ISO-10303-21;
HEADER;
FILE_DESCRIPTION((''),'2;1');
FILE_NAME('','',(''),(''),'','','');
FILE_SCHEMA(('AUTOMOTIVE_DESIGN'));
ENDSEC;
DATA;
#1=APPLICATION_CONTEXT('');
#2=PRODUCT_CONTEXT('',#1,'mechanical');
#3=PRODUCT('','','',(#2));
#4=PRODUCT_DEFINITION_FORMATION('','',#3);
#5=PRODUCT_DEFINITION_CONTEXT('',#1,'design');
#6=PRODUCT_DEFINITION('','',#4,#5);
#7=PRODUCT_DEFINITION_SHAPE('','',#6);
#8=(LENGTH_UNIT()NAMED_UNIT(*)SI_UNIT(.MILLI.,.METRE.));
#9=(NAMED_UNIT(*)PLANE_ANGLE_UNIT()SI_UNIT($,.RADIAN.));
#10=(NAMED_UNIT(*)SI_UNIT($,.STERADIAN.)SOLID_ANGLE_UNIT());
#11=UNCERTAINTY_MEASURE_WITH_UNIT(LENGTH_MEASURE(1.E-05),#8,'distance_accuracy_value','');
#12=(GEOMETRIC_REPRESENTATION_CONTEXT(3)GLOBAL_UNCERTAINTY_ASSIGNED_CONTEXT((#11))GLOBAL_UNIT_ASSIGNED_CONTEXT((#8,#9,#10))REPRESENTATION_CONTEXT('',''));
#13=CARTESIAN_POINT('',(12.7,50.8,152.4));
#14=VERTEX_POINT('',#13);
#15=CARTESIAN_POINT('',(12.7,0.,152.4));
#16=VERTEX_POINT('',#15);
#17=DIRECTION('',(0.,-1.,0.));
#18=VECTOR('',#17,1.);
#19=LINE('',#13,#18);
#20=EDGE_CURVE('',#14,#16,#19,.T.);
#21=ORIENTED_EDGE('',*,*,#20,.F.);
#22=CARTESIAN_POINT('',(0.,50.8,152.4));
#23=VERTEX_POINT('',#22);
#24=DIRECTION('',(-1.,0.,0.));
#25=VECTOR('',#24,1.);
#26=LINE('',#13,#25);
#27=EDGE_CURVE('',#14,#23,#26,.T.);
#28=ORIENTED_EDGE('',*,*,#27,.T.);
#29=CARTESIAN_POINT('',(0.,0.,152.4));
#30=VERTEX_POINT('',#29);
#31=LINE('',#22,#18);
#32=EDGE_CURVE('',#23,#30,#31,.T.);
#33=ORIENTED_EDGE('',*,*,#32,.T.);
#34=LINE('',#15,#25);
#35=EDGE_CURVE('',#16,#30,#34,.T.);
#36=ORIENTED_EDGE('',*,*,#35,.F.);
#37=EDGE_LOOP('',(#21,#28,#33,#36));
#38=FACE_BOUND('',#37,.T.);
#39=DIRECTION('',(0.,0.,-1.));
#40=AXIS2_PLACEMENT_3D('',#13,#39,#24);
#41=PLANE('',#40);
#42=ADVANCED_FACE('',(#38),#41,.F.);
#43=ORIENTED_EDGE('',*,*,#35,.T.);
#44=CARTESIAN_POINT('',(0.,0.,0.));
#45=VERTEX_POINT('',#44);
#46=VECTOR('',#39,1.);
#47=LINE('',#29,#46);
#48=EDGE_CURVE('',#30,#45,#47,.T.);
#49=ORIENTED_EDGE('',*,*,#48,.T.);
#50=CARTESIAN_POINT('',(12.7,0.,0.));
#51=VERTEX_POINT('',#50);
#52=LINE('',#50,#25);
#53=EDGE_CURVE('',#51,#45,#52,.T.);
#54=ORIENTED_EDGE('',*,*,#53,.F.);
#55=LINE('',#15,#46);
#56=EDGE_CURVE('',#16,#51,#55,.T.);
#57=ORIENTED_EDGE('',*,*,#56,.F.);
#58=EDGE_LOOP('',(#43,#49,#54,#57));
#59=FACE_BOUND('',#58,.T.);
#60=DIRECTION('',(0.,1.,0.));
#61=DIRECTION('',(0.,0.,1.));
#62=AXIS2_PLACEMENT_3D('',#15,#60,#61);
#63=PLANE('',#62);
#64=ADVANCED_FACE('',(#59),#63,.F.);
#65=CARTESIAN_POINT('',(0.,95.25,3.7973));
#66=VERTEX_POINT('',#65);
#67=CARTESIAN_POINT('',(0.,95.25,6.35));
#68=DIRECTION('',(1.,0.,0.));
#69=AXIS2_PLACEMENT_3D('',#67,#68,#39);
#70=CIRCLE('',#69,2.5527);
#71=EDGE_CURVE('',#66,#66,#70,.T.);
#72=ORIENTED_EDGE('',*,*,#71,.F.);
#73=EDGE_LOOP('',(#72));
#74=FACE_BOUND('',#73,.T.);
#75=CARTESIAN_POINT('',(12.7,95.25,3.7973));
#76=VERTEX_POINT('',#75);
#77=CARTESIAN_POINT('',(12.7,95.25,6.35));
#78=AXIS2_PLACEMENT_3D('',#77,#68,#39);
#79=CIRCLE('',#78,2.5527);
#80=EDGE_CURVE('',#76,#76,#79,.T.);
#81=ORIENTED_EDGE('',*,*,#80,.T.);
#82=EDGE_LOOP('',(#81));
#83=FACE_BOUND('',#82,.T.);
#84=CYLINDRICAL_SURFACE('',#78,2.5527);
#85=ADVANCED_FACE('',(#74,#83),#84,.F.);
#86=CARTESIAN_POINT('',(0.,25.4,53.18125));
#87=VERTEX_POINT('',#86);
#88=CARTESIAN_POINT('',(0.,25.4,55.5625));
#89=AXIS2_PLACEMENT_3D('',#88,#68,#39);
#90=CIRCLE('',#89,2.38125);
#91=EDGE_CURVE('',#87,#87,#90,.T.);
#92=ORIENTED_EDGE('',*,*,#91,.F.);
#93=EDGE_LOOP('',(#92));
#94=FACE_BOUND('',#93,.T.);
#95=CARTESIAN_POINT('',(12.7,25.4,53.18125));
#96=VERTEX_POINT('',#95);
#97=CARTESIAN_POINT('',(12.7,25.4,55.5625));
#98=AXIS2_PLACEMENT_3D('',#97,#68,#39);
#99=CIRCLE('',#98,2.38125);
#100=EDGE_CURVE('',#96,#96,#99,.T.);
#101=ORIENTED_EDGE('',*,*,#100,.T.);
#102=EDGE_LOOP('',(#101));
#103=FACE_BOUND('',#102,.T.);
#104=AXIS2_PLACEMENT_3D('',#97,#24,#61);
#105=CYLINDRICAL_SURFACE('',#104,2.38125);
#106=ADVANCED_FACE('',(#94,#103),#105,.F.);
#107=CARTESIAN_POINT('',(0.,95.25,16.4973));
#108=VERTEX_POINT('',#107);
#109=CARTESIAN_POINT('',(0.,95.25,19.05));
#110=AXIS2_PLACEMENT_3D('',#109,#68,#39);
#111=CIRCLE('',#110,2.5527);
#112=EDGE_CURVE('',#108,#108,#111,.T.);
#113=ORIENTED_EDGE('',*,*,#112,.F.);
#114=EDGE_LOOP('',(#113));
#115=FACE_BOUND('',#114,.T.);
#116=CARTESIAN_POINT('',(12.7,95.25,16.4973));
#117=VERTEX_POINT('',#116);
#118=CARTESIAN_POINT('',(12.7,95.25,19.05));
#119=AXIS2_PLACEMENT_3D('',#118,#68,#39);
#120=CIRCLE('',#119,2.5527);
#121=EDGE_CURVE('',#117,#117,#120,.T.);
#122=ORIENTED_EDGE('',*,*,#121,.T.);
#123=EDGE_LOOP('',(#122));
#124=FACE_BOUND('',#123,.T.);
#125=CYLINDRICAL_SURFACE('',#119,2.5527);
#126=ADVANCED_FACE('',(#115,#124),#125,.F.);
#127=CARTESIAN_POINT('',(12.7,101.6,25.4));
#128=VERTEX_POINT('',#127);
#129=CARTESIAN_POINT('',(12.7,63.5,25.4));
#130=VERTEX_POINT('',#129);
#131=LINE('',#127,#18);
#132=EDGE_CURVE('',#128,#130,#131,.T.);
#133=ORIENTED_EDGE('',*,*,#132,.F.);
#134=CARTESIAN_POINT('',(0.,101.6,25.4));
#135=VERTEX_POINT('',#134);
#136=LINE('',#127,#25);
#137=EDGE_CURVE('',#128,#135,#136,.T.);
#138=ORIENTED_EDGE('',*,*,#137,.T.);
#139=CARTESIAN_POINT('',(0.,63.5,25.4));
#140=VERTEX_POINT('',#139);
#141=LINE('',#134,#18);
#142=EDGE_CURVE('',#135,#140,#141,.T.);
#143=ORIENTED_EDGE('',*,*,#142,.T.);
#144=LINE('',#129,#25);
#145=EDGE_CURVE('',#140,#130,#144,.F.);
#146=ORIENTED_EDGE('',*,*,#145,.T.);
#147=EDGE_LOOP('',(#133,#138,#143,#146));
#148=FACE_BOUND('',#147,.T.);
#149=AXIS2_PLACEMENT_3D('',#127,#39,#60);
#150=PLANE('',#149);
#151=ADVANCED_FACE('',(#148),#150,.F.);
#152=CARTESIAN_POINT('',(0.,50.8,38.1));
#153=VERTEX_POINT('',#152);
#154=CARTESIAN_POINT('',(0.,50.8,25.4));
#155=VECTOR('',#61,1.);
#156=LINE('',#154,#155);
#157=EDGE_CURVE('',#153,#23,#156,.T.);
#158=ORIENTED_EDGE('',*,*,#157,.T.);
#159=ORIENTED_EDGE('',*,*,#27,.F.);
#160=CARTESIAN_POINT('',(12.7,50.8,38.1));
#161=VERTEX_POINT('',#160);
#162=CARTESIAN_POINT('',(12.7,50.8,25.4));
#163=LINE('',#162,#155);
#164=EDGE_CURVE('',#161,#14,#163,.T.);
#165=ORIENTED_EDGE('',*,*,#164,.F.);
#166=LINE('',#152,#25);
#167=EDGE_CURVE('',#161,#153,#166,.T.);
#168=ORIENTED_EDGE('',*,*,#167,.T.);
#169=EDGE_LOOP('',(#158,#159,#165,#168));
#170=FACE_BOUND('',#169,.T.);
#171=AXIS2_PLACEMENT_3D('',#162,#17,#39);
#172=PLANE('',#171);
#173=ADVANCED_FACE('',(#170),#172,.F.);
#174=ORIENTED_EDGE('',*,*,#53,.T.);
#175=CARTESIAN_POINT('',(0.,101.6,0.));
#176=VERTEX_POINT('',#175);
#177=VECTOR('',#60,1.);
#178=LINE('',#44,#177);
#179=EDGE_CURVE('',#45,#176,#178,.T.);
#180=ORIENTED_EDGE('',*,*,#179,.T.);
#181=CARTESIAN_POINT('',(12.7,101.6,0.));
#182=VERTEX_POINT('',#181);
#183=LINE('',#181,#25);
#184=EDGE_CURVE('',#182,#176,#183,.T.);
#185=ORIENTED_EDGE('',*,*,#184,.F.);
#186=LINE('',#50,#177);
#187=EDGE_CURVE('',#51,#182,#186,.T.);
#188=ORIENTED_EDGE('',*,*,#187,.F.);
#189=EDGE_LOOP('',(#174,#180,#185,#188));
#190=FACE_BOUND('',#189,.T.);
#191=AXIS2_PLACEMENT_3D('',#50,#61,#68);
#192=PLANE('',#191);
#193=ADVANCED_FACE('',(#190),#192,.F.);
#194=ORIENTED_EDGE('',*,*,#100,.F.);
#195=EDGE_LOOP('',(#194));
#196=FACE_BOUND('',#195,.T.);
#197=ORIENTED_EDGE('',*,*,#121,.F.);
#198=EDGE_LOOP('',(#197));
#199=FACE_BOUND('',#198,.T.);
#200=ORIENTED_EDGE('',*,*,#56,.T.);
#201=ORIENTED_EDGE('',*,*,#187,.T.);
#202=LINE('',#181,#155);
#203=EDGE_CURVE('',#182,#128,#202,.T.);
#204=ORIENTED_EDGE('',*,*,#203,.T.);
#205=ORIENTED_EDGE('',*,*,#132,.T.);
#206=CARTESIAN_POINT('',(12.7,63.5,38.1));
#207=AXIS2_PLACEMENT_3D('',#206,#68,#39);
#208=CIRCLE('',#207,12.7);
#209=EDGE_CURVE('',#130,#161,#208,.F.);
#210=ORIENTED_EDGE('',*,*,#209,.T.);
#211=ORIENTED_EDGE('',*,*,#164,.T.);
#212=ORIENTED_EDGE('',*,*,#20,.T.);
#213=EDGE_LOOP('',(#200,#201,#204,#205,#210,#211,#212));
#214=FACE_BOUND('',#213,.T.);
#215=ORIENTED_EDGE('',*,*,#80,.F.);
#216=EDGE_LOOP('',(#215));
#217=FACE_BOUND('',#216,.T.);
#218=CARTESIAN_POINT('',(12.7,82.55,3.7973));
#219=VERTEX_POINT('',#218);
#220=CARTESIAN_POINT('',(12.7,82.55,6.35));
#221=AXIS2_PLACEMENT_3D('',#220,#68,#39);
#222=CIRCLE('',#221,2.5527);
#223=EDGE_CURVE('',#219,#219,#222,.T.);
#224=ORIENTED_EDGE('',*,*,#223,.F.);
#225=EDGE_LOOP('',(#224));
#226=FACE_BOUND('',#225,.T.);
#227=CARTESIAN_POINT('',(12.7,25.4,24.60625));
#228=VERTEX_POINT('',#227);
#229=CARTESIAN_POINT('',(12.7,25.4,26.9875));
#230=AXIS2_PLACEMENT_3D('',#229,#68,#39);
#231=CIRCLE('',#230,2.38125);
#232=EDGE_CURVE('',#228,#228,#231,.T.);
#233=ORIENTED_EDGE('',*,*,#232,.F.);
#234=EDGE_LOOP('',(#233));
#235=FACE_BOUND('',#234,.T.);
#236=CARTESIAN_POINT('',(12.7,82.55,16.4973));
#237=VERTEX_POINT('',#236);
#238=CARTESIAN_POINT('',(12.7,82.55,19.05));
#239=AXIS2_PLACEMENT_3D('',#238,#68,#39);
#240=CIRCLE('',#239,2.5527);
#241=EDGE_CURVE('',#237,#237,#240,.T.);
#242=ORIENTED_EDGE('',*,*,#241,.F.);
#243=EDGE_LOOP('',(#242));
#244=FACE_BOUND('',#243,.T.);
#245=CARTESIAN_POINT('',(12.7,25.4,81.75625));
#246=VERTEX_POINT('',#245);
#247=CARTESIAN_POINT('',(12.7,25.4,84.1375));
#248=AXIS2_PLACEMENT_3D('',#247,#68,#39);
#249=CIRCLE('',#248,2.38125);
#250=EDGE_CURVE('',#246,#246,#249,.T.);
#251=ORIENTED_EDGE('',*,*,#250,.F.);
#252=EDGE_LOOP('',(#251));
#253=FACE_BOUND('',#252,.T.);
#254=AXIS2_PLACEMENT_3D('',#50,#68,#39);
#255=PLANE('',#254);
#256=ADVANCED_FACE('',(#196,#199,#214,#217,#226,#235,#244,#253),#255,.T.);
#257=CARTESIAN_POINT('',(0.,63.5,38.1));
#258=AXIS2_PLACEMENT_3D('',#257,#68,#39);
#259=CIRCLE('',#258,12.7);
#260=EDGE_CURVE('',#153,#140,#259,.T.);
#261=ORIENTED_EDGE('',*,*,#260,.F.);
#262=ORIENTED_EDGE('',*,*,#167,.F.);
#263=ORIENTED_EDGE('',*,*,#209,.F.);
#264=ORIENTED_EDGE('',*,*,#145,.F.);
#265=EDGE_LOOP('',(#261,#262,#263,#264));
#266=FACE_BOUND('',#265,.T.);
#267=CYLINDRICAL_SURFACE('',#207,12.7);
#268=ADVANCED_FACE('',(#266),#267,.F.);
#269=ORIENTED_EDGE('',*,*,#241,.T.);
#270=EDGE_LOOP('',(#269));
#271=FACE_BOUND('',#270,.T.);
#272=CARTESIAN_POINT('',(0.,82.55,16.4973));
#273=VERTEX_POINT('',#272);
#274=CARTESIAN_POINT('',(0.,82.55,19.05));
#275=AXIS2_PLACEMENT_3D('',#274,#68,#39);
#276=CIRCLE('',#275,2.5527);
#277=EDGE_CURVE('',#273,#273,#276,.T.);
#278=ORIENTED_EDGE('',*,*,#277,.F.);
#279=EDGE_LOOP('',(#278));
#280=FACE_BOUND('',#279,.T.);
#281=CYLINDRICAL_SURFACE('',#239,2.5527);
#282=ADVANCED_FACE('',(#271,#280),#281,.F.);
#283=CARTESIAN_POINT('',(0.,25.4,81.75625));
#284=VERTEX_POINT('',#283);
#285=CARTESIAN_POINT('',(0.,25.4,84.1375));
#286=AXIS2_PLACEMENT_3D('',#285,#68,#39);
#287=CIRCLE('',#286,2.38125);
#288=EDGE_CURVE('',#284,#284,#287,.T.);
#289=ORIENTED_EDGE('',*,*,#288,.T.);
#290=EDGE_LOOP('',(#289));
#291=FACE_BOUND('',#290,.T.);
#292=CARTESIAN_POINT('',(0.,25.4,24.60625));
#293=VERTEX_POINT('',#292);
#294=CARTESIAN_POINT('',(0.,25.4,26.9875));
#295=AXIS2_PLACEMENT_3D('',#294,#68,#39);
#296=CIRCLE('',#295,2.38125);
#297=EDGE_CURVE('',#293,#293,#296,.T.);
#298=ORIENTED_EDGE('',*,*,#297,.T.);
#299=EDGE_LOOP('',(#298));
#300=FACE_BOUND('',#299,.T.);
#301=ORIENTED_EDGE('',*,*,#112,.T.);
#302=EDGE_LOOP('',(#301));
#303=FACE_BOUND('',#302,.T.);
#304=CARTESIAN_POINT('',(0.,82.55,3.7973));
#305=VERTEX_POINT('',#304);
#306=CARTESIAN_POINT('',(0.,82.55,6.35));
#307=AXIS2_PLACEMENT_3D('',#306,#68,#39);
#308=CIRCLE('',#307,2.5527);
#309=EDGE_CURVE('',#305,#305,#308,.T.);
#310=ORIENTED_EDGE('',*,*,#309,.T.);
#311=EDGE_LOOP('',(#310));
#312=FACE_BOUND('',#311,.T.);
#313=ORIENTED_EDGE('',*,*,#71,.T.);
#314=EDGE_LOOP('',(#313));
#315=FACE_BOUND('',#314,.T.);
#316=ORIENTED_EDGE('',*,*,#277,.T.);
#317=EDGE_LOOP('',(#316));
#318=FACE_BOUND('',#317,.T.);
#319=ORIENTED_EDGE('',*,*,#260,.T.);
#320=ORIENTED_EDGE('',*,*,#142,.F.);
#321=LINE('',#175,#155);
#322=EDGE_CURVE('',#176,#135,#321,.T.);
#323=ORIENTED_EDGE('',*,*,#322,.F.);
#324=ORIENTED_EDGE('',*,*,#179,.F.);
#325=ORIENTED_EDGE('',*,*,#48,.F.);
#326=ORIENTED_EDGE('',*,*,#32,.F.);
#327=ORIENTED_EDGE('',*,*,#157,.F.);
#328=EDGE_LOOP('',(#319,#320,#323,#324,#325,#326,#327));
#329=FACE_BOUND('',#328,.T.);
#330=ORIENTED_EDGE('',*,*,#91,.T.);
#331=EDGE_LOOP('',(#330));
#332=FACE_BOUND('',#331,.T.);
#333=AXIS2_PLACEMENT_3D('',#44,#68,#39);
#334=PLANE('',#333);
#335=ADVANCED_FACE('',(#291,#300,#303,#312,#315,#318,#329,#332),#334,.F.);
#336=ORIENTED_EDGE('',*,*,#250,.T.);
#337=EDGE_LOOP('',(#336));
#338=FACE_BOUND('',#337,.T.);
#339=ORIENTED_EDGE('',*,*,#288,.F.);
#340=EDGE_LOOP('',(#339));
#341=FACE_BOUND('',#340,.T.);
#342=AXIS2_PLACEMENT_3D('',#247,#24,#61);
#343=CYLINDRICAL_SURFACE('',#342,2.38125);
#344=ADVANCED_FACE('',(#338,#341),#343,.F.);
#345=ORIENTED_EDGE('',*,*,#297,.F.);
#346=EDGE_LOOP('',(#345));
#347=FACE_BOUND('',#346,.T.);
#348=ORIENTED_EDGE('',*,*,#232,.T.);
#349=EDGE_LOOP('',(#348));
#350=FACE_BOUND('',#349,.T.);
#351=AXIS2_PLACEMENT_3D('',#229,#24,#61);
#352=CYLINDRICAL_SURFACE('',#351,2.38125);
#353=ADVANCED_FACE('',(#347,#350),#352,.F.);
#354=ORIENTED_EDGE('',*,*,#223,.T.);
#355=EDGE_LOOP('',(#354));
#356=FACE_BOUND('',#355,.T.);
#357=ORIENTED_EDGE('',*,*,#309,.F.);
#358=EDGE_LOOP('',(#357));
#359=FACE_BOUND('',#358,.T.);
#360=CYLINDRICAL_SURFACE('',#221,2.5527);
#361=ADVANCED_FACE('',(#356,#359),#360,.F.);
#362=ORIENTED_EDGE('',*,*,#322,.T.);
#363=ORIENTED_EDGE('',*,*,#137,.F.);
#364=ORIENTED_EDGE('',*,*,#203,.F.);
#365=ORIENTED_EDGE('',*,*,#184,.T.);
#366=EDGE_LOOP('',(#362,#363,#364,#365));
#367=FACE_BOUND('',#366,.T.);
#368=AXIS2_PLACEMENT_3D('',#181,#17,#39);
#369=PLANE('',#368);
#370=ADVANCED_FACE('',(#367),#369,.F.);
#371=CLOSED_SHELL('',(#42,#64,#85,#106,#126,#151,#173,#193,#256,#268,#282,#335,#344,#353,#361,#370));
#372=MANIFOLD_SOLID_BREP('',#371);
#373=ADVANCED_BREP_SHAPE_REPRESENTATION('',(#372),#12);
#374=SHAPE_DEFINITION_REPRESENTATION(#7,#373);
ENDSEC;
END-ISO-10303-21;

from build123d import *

# Parameters (mm, degrees)
SKETCH1_R              = 2.38125
BOSS_EXTRUDE1_DEPTH    = 12.7
F_10_CLEARANCE_HOLE1_D = 5.1054
FILLET1_R              = 12.7


with BuildPart() as part:
    # Sketch1 → Boss-Extrude1 (new body)
    with BuildSketch(Plane(origin=(0, 0, 0), x_dir=(0, 0, -1), z_dir=(1, 0, 0))):
        Polygon((0, 0), (0, 101.6), (-25.4, 101.6), (-25.4, 50.8), (-152.4, 50.8), (-152.4, 0), align=None)
        with Locations((-84.1375, 25.4)):
            Circle(SKETCH1_R, mode=Mode.SUBTRACT)
        with Locations((-55.5625, 25.4)):
            Circle(SKETCH1_R, mode=Mode.SUBTRACT)
        with Locations((-26.9875, 25.4)):
            Circle(SKETCH1_R, mode=Mode.SUBTRACT)
    extrude(amount=BOSS_EXTRUDE1_DEPTH)

    # #10 Clearance Hole1 (through all)
    with Locations(Plane(origin=(12.7, 0, 0), x_dir=(0, 0, -1), z_dir=(1, 0, 0))):
        with Locations((-19.05, 95.25), (-6.35, 95.25), (-6.35, 82.55), (-19.05, 82.55)):
            Hole(F_10_CLEARANCE_HOLE1_D / 2)

    # Fillet1
    fillet1_edges = [part.edges().sort_by_distance(p)[0] for p in [
        (6.35, 50.8, 25.4),
    ]]
    fillet(fillet1_edges, radius=FILLET1_R)


solid = part.part
